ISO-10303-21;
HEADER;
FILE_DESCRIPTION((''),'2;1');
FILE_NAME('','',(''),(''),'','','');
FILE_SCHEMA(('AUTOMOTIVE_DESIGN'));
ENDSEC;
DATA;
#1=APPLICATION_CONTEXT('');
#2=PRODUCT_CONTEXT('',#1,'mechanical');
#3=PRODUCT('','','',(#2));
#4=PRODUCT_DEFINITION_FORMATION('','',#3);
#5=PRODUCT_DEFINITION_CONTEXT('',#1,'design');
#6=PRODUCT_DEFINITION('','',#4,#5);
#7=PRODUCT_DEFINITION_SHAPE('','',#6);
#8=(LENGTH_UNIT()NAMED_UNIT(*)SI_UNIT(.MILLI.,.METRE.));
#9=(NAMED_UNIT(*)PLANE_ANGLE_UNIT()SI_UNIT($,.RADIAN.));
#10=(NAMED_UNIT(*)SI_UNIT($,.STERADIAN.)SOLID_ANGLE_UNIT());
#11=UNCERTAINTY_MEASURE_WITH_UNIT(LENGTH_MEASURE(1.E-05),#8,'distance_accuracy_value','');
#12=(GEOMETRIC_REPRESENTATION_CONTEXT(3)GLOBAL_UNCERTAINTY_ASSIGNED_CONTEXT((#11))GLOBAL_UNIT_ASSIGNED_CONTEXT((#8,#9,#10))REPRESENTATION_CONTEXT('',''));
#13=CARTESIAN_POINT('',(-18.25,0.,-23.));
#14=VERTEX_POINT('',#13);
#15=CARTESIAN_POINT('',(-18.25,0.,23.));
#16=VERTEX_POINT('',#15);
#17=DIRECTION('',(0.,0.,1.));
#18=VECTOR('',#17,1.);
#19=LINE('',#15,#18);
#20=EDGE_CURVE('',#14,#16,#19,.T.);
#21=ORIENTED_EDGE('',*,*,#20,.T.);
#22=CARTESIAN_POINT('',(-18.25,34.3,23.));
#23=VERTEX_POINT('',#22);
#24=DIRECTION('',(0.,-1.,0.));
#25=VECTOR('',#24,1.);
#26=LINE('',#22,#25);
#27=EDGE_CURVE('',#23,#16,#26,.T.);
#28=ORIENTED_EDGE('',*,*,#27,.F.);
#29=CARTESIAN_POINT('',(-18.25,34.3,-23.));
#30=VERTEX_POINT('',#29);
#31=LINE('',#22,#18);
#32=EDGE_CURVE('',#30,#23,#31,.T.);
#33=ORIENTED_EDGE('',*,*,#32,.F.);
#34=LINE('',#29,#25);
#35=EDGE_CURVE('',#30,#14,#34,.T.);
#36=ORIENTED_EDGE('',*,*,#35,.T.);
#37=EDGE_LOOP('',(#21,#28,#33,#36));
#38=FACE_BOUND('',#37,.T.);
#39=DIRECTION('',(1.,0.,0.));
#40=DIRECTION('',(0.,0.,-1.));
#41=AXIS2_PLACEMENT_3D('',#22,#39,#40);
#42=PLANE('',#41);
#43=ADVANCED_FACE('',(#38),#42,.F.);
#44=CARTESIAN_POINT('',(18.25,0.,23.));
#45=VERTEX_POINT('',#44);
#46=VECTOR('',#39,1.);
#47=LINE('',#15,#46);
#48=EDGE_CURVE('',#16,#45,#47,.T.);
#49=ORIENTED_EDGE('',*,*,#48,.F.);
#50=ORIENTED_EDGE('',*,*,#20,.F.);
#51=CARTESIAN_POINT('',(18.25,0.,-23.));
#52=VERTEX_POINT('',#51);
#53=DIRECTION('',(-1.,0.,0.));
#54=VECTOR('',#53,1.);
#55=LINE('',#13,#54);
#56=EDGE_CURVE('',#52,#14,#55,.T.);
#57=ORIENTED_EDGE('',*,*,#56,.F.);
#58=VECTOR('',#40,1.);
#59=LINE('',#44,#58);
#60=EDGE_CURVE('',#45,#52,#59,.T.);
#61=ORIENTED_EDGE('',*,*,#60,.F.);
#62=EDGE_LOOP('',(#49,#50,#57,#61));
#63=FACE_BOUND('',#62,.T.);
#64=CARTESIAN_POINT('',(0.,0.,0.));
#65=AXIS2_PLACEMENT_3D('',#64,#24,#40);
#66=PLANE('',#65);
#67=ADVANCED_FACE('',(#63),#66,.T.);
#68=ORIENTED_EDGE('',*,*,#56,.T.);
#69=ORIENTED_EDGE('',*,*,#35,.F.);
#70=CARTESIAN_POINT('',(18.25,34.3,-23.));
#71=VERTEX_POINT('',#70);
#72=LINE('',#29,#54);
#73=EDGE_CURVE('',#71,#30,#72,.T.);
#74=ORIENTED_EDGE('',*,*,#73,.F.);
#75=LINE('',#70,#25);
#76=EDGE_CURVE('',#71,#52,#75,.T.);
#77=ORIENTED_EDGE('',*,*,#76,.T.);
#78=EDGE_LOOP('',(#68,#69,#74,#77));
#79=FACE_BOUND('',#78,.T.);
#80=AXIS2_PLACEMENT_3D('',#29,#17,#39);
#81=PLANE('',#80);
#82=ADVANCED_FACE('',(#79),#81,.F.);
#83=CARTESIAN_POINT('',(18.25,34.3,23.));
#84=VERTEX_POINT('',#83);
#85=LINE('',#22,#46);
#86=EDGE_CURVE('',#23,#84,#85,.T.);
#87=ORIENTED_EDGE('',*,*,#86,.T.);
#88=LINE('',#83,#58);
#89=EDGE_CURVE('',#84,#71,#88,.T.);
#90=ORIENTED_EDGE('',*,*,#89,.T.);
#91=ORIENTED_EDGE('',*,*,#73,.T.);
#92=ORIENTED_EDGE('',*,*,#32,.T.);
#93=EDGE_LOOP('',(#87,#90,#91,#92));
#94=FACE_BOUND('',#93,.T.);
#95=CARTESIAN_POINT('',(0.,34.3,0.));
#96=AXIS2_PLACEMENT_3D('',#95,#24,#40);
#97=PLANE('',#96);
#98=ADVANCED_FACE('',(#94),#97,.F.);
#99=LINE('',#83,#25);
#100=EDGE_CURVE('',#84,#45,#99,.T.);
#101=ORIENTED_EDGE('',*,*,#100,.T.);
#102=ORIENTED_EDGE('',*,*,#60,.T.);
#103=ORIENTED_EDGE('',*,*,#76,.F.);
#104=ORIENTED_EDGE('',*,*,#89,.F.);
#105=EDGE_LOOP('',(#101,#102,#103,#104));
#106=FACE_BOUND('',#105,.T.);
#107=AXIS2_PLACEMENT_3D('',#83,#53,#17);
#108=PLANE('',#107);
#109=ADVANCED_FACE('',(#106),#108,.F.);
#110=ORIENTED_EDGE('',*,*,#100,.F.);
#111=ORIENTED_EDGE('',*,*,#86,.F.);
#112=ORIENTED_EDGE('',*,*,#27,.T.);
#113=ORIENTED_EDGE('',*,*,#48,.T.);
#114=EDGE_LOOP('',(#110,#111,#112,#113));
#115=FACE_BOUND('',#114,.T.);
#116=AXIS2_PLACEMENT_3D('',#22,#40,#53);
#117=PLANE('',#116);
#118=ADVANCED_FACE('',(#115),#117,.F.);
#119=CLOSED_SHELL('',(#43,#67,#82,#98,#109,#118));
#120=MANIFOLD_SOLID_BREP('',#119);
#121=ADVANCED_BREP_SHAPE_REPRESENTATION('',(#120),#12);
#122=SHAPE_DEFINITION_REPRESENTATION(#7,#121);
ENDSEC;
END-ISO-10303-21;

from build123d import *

# Parameters (mm, degrees)
SKETCH1_W           = 36.5
SKETCH1_H           = 46
BOSS_EXTRUDE1_DEPTH = 34.3


with BuildPart() as part:
    # Sketch1 → Boss-Extrude1 (new body)
    with BuildSketch(Plane(origin=(0, 0, 0), x_dir=(1, 0, 0), z_dir=(0, 1, 0))):
        Rectangle(SKETCH1_W, SKETCH1_H)
    extrude(amount=BOSS_EXTRUDE1_DEPTH)


solid = part.part
